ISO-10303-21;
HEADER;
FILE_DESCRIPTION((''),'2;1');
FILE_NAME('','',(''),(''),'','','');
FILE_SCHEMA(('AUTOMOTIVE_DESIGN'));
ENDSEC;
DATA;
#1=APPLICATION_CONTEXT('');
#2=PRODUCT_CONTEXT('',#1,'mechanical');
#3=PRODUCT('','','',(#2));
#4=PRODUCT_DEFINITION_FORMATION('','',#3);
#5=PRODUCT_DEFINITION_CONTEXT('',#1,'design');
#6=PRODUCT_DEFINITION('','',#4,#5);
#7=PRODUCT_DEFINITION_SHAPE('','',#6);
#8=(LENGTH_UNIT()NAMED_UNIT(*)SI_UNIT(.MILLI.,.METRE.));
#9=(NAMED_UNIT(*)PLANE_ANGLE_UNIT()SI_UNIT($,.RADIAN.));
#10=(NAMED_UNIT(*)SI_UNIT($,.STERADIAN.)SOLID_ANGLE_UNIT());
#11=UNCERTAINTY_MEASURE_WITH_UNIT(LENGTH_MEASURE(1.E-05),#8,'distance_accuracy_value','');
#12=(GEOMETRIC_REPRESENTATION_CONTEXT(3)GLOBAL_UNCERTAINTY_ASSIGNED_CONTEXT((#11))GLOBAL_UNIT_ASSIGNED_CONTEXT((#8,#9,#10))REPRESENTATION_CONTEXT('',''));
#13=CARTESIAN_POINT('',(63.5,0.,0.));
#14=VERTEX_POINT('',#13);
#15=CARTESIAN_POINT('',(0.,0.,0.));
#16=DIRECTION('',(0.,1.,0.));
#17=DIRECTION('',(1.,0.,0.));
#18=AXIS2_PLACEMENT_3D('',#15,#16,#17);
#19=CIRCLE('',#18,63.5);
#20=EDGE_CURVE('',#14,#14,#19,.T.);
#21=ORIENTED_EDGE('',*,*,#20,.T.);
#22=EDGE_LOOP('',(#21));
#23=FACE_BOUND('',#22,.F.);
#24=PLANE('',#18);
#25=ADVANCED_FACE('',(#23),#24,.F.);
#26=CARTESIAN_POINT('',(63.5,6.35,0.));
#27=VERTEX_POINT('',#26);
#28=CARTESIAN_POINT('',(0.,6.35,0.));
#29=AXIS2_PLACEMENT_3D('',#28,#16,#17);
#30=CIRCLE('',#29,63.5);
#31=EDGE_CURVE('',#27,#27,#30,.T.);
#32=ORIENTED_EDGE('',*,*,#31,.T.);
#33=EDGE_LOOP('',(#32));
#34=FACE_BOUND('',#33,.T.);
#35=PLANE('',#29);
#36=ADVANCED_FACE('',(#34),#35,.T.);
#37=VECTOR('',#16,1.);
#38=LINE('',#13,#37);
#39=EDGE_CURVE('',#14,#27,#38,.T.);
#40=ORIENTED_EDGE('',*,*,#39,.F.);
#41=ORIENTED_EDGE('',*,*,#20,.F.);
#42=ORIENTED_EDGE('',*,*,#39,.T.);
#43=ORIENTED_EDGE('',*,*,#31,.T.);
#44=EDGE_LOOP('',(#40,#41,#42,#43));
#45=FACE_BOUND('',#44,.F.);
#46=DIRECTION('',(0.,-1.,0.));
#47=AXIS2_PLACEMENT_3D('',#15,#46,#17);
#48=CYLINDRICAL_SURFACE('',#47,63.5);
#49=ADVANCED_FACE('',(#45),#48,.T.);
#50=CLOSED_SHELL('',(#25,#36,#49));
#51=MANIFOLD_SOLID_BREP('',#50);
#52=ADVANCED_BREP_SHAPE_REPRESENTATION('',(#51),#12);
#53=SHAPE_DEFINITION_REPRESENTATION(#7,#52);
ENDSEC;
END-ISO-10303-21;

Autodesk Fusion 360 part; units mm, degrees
sketch "Sketch1" plane through (0, 0, 0) normal (0, 1, 0) x (1, 0, 0)
  circle A0 centre (0, 0) radius 63.5
  dimension "d1" = 127
extrude "Extrude1" add sketch "Sketch1" along normal blind 6.35
